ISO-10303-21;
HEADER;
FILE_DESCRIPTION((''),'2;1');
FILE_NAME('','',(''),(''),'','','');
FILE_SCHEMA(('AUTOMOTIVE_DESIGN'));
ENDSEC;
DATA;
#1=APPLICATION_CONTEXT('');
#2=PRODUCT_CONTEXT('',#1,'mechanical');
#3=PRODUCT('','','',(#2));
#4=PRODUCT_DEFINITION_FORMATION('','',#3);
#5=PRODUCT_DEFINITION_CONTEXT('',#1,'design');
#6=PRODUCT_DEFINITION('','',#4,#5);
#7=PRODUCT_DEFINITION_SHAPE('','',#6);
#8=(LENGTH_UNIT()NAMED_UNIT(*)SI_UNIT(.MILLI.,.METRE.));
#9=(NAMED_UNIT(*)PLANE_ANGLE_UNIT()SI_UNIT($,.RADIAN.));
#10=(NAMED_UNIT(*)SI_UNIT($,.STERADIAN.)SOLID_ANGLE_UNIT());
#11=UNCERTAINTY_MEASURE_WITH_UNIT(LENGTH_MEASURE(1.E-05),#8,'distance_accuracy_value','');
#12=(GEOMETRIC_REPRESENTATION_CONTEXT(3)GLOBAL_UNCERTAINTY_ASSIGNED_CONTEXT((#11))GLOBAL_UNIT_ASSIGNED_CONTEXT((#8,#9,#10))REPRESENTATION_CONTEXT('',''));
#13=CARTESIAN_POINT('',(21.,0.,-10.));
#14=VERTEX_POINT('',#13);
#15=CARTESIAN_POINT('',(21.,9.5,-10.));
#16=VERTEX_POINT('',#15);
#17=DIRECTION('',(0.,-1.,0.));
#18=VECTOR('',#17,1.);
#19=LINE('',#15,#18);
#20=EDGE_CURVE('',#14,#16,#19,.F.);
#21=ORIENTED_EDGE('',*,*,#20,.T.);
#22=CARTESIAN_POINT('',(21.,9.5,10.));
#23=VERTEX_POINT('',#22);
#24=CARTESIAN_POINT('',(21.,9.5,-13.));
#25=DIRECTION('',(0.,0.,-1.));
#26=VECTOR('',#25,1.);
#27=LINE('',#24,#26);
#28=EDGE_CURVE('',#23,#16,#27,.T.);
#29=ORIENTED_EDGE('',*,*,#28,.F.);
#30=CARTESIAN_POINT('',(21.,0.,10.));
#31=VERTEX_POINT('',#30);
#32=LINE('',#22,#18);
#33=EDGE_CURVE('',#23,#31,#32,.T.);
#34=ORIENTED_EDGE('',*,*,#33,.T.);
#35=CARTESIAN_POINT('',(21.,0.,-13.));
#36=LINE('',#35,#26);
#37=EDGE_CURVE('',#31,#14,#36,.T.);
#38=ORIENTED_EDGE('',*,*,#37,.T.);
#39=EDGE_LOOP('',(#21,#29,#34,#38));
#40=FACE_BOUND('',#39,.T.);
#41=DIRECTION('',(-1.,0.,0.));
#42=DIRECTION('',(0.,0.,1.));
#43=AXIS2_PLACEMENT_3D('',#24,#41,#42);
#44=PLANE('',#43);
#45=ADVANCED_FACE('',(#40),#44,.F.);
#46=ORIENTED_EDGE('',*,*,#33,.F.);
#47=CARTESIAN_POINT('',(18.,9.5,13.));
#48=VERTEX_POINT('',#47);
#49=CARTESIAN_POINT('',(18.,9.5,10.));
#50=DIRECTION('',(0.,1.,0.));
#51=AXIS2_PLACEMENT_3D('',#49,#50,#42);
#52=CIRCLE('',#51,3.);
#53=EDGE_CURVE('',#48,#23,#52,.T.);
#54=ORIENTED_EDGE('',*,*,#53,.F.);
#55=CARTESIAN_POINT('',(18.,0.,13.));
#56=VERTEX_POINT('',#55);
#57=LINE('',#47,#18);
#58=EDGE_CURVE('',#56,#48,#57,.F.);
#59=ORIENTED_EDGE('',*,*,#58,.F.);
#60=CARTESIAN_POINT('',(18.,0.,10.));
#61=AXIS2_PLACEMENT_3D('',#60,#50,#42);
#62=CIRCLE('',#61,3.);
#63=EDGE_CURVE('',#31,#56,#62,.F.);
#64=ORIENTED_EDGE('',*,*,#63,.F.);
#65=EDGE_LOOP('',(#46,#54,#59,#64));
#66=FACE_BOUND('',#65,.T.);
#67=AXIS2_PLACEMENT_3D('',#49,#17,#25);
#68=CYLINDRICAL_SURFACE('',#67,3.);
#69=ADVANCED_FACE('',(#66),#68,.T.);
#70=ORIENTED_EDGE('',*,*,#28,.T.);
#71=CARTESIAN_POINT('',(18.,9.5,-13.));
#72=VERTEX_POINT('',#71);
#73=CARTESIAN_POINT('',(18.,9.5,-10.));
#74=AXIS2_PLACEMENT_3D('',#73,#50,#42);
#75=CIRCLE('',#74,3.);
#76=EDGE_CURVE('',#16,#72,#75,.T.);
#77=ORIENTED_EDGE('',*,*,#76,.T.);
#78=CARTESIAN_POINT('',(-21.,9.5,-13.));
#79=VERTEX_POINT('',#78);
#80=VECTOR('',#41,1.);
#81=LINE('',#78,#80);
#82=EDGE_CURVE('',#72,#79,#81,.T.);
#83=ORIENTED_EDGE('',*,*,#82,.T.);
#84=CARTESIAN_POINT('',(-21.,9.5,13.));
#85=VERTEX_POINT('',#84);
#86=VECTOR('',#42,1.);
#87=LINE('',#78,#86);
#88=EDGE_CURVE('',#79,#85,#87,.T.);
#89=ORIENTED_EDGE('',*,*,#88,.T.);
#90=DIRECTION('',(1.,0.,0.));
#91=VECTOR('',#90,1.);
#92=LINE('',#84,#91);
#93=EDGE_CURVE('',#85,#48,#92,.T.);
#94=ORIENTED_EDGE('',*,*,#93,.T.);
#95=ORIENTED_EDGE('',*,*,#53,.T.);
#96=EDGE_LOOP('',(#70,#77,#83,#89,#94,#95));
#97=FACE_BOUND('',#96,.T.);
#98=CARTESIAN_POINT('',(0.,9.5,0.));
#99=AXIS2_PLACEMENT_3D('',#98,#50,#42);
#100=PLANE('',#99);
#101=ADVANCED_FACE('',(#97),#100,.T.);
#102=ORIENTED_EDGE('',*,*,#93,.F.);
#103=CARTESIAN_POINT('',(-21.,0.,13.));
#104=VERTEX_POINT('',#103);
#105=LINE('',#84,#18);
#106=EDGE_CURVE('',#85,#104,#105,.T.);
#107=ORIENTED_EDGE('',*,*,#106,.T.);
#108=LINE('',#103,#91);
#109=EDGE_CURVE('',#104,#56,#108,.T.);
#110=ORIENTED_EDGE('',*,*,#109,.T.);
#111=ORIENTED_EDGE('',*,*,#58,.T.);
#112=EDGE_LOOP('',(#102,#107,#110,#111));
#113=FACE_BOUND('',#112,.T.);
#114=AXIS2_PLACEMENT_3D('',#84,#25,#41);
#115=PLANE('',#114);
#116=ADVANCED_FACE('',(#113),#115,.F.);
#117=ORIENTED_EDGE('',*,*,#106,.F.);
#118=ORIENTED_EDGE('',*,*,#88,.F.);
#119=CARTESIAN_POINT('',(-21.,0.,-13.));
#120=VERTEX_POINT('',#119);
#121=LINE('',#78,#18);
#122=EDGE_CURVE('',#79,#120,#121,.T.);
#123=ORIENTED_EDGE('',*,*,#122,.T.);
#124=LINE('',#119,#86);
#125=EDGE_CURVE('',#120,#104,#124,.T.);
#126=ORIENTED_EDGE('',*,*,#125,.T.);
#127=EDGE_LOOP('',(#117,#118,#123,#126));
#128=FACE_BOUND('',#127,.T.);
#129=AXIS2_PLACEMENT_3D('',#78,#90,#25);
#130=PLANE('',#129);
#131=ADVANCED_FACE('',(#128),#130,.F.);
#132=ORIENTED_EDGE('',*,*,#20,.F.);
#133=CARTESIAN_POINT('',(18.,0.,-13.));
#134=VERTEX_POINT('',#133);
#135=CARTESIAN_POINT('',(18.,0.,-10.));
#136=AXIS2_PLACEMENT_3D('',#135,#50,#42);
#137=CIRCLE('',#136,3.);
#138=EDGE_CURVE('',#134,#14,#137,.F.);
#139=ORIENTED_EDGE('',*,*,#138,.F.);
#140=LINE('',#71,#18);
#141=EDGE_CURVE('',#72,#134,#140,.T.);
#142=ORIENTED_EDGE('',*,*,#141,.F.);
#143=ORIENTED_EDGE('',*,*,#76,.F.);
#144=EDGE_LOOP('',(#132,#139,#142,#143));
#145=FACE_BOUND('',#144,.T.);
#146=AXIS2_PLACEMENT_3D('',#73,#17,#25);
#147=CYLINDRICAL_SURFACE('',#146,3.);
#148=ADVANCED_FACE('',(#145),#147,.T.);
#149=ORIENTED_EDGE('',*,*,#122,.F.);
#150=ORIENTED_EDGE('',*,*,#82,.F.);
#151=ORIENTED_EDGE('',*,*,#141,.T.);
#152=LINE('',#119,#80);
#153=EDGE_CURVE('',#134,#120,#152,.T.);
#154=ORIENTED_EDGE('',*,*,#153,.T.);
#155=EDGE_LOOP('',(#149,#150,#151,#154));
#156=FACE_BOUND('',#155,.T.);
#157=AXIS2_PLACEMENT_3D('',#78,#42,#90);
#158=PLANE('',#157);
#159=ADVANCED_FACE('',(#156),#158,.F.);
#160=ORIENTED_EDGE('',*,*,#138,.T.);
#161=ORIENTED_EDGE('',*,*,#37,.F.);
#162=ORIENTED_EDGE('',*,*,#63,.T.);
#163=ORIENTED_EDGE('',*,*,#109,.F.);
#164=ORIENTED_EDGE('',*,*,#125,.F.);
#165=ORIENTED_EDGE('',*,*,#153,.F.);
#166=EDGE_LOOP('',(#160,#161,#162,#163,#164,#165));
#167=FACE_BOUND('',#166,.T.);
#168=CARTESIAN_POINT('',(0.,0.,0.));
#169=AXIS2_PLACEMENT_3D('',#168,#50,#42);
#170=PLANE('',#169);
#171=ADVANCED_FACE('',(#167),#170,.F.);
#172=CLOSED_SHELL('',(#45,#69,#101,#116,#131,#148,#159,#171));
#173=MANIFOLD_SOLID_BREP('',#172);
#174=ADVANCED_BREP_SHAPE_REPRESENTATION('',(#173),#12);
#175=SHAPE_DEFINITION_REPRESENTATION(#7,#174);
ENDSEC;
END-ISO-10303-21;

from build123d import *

# Parameters (mm, degrees)
SKETCH_1_W      = 42
SKETCH_1_H      = 26
EXTRUDE_1_DEPTH = 9.5
FILLET_1_R      = 3


with BuildPart() as part:
    # 草图1 → 凸台-拉伸1 (new body)
    with BuildSketch(Plane(origin=(0, 0, 0), x_dir=(1, 0, 0), z_dir=(0, 1, 0))):
        Rectangle(SKETCH_1_W, SKETCH_1_H)
    extrude(amount=EXTRUDE_1_DEPTH)

    # 圆角1
    fillet_1_edges = [part.edges().sort_by_distance(p)[0] for p in [
        (21, 4.75, 13),
        (21, 4.75, -13),
    ]]
    fillet(fillet_1_edges, radius=FILLET_1_R)


solid = part.part
